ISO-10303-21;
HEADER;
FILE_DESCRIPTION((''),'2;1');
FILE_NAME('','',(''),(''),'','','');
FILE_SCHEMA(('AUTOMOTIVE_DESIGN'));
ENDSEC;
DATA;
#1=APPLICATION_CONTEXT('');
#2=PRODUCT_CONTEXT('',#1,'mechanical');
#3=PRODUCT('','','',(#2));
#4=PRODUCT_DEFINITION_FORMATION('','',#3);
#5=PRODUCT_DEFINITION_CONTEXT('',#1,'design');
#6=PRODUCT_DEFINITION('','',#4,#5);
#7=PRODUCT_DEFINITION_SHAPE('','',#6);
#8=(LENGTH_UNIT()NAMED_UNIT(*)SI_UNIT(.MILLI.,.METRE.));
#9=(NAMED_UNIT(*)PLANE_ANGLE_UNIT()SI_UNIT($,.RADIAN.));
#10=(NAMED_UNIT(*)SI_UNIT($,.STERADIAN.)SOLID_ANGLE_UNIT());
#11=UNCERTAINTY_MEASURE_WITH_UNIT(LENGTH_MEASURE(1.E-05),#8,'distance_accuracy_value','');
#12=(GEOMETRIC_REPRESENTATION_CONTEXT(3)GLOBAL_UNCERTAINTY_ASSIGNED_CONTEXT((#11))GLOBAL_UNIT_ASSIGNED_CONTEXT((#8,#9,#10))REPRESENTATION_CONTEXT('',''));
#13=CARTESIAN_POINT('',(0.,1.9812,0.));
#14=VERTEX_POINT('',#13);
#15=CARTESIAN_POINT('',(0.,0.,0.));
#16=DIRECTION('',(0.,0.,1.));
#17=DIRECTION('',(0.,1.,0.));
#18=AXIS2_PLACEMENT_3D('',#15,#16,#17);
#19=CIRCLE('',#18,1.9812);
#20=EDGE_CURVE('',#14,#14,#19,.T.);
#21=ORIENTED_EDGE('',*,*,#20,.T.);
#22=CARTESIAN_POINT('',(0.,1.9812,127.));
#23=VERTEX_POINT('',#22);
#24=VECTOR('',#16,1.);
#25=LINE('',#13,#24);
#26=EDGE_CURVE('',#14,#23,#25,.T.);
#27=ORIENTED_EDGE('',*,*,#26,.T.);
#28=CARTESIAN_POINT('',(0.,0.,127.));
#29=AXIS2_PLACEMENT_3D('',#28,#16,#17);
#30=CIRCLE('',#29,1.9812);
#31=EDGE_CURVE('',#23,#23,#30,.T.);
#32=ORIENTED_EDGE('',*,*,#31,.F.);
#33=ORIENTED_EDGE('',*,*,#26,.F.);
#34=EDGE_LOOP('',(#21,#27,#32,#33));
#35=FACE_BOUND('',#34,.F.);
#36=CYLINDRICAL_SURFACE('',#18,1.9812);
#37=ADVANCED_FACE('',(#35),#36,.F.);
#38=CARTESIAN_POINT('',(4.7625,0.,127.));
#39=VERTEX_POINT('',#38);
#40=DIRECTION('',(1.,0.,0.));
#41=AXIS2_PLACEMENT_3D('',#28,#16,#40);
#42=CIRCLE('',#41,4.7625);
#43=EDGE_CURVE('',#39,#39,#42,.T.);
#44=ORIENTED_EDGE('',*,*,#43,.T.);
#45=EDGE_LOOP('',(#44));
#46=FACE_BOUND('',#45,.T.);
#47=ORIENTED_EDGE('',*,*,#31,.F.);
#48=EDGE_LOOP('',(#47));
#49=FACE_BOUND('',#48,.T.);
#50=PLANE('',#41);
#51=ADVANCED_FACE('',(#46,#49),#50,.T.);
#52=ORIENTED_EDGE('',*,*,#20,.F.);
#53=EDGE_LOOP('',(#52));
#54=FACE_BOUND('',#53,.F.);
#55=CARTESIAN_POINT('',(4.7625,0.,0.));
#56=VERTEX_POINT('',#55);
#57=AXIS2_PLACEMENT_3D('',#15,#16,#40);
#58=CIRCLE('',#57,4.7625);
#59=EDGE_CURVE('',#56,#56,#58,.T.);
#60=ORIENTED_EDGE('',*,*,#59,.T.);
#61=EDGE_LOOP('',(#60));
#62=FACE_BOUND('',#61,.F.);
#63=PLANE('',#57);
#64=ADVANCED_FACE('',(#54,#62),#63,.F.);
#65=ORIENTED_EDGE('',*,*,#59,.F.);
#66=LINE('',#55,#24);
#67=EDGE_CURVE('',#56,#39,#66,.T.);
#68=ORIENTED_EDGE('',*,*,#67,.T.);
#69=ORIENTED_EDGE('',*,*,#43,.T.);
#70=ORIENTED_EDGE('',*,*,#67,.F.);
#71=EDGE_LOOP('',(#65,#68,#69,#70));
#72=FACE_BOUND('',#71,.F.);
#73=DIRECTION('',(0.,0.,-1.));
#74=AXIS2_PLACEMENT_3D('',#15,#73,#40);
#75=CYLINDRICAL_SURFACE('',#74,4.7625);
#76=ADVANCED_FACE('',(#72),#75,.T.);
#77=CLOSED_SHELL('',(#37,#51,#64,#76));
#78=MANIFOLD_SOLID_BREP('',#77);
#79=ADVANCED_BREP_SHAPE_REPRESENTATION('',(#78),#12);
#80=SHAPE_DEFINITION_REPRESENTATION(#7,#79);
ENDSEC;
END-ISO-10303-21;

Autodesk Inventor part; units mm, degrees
ref_plane "YZ Plane" through (0, 0, 0) normal (1, 0, 0) x (0, 1, 0)
ref_plane "XZ Plane" through (0, 0, 0) normal (0, 1, 0) x (-1, 0, 0)
ref_plane "XY Plane" through (0, 0, 0) normal (0, 0, 1) x (1, 0, 0)
sketch "Sketch1" plane through (0, 0, 0) normal (0, 0, 1) x (1, 0, 0)
  circle A0 centre (0, 0) radius 4.7625
  dimension "d10" = 9.525
extrude "Extrusion1" add sketch "Sketch1" along normal blind 127
hole "Hole1" at (0, 0, 0) direction (0, 0, 1) diameter 3.9624 end through all thread size "10-32 UNF" class "2B" standard "ANSI Unified Screw Threads"
equation "\"d10\" = OutsideDiameter"
equation "\"d1\" = StandoffLength"
equation "\"StandoffLength\" = 127"
equation "\"HoleDiameter\" = 5.1054"
equation "\"OutsideDiameter\" = 9.525"
properties part number "GP4-007" material "Aluminum 6061"
